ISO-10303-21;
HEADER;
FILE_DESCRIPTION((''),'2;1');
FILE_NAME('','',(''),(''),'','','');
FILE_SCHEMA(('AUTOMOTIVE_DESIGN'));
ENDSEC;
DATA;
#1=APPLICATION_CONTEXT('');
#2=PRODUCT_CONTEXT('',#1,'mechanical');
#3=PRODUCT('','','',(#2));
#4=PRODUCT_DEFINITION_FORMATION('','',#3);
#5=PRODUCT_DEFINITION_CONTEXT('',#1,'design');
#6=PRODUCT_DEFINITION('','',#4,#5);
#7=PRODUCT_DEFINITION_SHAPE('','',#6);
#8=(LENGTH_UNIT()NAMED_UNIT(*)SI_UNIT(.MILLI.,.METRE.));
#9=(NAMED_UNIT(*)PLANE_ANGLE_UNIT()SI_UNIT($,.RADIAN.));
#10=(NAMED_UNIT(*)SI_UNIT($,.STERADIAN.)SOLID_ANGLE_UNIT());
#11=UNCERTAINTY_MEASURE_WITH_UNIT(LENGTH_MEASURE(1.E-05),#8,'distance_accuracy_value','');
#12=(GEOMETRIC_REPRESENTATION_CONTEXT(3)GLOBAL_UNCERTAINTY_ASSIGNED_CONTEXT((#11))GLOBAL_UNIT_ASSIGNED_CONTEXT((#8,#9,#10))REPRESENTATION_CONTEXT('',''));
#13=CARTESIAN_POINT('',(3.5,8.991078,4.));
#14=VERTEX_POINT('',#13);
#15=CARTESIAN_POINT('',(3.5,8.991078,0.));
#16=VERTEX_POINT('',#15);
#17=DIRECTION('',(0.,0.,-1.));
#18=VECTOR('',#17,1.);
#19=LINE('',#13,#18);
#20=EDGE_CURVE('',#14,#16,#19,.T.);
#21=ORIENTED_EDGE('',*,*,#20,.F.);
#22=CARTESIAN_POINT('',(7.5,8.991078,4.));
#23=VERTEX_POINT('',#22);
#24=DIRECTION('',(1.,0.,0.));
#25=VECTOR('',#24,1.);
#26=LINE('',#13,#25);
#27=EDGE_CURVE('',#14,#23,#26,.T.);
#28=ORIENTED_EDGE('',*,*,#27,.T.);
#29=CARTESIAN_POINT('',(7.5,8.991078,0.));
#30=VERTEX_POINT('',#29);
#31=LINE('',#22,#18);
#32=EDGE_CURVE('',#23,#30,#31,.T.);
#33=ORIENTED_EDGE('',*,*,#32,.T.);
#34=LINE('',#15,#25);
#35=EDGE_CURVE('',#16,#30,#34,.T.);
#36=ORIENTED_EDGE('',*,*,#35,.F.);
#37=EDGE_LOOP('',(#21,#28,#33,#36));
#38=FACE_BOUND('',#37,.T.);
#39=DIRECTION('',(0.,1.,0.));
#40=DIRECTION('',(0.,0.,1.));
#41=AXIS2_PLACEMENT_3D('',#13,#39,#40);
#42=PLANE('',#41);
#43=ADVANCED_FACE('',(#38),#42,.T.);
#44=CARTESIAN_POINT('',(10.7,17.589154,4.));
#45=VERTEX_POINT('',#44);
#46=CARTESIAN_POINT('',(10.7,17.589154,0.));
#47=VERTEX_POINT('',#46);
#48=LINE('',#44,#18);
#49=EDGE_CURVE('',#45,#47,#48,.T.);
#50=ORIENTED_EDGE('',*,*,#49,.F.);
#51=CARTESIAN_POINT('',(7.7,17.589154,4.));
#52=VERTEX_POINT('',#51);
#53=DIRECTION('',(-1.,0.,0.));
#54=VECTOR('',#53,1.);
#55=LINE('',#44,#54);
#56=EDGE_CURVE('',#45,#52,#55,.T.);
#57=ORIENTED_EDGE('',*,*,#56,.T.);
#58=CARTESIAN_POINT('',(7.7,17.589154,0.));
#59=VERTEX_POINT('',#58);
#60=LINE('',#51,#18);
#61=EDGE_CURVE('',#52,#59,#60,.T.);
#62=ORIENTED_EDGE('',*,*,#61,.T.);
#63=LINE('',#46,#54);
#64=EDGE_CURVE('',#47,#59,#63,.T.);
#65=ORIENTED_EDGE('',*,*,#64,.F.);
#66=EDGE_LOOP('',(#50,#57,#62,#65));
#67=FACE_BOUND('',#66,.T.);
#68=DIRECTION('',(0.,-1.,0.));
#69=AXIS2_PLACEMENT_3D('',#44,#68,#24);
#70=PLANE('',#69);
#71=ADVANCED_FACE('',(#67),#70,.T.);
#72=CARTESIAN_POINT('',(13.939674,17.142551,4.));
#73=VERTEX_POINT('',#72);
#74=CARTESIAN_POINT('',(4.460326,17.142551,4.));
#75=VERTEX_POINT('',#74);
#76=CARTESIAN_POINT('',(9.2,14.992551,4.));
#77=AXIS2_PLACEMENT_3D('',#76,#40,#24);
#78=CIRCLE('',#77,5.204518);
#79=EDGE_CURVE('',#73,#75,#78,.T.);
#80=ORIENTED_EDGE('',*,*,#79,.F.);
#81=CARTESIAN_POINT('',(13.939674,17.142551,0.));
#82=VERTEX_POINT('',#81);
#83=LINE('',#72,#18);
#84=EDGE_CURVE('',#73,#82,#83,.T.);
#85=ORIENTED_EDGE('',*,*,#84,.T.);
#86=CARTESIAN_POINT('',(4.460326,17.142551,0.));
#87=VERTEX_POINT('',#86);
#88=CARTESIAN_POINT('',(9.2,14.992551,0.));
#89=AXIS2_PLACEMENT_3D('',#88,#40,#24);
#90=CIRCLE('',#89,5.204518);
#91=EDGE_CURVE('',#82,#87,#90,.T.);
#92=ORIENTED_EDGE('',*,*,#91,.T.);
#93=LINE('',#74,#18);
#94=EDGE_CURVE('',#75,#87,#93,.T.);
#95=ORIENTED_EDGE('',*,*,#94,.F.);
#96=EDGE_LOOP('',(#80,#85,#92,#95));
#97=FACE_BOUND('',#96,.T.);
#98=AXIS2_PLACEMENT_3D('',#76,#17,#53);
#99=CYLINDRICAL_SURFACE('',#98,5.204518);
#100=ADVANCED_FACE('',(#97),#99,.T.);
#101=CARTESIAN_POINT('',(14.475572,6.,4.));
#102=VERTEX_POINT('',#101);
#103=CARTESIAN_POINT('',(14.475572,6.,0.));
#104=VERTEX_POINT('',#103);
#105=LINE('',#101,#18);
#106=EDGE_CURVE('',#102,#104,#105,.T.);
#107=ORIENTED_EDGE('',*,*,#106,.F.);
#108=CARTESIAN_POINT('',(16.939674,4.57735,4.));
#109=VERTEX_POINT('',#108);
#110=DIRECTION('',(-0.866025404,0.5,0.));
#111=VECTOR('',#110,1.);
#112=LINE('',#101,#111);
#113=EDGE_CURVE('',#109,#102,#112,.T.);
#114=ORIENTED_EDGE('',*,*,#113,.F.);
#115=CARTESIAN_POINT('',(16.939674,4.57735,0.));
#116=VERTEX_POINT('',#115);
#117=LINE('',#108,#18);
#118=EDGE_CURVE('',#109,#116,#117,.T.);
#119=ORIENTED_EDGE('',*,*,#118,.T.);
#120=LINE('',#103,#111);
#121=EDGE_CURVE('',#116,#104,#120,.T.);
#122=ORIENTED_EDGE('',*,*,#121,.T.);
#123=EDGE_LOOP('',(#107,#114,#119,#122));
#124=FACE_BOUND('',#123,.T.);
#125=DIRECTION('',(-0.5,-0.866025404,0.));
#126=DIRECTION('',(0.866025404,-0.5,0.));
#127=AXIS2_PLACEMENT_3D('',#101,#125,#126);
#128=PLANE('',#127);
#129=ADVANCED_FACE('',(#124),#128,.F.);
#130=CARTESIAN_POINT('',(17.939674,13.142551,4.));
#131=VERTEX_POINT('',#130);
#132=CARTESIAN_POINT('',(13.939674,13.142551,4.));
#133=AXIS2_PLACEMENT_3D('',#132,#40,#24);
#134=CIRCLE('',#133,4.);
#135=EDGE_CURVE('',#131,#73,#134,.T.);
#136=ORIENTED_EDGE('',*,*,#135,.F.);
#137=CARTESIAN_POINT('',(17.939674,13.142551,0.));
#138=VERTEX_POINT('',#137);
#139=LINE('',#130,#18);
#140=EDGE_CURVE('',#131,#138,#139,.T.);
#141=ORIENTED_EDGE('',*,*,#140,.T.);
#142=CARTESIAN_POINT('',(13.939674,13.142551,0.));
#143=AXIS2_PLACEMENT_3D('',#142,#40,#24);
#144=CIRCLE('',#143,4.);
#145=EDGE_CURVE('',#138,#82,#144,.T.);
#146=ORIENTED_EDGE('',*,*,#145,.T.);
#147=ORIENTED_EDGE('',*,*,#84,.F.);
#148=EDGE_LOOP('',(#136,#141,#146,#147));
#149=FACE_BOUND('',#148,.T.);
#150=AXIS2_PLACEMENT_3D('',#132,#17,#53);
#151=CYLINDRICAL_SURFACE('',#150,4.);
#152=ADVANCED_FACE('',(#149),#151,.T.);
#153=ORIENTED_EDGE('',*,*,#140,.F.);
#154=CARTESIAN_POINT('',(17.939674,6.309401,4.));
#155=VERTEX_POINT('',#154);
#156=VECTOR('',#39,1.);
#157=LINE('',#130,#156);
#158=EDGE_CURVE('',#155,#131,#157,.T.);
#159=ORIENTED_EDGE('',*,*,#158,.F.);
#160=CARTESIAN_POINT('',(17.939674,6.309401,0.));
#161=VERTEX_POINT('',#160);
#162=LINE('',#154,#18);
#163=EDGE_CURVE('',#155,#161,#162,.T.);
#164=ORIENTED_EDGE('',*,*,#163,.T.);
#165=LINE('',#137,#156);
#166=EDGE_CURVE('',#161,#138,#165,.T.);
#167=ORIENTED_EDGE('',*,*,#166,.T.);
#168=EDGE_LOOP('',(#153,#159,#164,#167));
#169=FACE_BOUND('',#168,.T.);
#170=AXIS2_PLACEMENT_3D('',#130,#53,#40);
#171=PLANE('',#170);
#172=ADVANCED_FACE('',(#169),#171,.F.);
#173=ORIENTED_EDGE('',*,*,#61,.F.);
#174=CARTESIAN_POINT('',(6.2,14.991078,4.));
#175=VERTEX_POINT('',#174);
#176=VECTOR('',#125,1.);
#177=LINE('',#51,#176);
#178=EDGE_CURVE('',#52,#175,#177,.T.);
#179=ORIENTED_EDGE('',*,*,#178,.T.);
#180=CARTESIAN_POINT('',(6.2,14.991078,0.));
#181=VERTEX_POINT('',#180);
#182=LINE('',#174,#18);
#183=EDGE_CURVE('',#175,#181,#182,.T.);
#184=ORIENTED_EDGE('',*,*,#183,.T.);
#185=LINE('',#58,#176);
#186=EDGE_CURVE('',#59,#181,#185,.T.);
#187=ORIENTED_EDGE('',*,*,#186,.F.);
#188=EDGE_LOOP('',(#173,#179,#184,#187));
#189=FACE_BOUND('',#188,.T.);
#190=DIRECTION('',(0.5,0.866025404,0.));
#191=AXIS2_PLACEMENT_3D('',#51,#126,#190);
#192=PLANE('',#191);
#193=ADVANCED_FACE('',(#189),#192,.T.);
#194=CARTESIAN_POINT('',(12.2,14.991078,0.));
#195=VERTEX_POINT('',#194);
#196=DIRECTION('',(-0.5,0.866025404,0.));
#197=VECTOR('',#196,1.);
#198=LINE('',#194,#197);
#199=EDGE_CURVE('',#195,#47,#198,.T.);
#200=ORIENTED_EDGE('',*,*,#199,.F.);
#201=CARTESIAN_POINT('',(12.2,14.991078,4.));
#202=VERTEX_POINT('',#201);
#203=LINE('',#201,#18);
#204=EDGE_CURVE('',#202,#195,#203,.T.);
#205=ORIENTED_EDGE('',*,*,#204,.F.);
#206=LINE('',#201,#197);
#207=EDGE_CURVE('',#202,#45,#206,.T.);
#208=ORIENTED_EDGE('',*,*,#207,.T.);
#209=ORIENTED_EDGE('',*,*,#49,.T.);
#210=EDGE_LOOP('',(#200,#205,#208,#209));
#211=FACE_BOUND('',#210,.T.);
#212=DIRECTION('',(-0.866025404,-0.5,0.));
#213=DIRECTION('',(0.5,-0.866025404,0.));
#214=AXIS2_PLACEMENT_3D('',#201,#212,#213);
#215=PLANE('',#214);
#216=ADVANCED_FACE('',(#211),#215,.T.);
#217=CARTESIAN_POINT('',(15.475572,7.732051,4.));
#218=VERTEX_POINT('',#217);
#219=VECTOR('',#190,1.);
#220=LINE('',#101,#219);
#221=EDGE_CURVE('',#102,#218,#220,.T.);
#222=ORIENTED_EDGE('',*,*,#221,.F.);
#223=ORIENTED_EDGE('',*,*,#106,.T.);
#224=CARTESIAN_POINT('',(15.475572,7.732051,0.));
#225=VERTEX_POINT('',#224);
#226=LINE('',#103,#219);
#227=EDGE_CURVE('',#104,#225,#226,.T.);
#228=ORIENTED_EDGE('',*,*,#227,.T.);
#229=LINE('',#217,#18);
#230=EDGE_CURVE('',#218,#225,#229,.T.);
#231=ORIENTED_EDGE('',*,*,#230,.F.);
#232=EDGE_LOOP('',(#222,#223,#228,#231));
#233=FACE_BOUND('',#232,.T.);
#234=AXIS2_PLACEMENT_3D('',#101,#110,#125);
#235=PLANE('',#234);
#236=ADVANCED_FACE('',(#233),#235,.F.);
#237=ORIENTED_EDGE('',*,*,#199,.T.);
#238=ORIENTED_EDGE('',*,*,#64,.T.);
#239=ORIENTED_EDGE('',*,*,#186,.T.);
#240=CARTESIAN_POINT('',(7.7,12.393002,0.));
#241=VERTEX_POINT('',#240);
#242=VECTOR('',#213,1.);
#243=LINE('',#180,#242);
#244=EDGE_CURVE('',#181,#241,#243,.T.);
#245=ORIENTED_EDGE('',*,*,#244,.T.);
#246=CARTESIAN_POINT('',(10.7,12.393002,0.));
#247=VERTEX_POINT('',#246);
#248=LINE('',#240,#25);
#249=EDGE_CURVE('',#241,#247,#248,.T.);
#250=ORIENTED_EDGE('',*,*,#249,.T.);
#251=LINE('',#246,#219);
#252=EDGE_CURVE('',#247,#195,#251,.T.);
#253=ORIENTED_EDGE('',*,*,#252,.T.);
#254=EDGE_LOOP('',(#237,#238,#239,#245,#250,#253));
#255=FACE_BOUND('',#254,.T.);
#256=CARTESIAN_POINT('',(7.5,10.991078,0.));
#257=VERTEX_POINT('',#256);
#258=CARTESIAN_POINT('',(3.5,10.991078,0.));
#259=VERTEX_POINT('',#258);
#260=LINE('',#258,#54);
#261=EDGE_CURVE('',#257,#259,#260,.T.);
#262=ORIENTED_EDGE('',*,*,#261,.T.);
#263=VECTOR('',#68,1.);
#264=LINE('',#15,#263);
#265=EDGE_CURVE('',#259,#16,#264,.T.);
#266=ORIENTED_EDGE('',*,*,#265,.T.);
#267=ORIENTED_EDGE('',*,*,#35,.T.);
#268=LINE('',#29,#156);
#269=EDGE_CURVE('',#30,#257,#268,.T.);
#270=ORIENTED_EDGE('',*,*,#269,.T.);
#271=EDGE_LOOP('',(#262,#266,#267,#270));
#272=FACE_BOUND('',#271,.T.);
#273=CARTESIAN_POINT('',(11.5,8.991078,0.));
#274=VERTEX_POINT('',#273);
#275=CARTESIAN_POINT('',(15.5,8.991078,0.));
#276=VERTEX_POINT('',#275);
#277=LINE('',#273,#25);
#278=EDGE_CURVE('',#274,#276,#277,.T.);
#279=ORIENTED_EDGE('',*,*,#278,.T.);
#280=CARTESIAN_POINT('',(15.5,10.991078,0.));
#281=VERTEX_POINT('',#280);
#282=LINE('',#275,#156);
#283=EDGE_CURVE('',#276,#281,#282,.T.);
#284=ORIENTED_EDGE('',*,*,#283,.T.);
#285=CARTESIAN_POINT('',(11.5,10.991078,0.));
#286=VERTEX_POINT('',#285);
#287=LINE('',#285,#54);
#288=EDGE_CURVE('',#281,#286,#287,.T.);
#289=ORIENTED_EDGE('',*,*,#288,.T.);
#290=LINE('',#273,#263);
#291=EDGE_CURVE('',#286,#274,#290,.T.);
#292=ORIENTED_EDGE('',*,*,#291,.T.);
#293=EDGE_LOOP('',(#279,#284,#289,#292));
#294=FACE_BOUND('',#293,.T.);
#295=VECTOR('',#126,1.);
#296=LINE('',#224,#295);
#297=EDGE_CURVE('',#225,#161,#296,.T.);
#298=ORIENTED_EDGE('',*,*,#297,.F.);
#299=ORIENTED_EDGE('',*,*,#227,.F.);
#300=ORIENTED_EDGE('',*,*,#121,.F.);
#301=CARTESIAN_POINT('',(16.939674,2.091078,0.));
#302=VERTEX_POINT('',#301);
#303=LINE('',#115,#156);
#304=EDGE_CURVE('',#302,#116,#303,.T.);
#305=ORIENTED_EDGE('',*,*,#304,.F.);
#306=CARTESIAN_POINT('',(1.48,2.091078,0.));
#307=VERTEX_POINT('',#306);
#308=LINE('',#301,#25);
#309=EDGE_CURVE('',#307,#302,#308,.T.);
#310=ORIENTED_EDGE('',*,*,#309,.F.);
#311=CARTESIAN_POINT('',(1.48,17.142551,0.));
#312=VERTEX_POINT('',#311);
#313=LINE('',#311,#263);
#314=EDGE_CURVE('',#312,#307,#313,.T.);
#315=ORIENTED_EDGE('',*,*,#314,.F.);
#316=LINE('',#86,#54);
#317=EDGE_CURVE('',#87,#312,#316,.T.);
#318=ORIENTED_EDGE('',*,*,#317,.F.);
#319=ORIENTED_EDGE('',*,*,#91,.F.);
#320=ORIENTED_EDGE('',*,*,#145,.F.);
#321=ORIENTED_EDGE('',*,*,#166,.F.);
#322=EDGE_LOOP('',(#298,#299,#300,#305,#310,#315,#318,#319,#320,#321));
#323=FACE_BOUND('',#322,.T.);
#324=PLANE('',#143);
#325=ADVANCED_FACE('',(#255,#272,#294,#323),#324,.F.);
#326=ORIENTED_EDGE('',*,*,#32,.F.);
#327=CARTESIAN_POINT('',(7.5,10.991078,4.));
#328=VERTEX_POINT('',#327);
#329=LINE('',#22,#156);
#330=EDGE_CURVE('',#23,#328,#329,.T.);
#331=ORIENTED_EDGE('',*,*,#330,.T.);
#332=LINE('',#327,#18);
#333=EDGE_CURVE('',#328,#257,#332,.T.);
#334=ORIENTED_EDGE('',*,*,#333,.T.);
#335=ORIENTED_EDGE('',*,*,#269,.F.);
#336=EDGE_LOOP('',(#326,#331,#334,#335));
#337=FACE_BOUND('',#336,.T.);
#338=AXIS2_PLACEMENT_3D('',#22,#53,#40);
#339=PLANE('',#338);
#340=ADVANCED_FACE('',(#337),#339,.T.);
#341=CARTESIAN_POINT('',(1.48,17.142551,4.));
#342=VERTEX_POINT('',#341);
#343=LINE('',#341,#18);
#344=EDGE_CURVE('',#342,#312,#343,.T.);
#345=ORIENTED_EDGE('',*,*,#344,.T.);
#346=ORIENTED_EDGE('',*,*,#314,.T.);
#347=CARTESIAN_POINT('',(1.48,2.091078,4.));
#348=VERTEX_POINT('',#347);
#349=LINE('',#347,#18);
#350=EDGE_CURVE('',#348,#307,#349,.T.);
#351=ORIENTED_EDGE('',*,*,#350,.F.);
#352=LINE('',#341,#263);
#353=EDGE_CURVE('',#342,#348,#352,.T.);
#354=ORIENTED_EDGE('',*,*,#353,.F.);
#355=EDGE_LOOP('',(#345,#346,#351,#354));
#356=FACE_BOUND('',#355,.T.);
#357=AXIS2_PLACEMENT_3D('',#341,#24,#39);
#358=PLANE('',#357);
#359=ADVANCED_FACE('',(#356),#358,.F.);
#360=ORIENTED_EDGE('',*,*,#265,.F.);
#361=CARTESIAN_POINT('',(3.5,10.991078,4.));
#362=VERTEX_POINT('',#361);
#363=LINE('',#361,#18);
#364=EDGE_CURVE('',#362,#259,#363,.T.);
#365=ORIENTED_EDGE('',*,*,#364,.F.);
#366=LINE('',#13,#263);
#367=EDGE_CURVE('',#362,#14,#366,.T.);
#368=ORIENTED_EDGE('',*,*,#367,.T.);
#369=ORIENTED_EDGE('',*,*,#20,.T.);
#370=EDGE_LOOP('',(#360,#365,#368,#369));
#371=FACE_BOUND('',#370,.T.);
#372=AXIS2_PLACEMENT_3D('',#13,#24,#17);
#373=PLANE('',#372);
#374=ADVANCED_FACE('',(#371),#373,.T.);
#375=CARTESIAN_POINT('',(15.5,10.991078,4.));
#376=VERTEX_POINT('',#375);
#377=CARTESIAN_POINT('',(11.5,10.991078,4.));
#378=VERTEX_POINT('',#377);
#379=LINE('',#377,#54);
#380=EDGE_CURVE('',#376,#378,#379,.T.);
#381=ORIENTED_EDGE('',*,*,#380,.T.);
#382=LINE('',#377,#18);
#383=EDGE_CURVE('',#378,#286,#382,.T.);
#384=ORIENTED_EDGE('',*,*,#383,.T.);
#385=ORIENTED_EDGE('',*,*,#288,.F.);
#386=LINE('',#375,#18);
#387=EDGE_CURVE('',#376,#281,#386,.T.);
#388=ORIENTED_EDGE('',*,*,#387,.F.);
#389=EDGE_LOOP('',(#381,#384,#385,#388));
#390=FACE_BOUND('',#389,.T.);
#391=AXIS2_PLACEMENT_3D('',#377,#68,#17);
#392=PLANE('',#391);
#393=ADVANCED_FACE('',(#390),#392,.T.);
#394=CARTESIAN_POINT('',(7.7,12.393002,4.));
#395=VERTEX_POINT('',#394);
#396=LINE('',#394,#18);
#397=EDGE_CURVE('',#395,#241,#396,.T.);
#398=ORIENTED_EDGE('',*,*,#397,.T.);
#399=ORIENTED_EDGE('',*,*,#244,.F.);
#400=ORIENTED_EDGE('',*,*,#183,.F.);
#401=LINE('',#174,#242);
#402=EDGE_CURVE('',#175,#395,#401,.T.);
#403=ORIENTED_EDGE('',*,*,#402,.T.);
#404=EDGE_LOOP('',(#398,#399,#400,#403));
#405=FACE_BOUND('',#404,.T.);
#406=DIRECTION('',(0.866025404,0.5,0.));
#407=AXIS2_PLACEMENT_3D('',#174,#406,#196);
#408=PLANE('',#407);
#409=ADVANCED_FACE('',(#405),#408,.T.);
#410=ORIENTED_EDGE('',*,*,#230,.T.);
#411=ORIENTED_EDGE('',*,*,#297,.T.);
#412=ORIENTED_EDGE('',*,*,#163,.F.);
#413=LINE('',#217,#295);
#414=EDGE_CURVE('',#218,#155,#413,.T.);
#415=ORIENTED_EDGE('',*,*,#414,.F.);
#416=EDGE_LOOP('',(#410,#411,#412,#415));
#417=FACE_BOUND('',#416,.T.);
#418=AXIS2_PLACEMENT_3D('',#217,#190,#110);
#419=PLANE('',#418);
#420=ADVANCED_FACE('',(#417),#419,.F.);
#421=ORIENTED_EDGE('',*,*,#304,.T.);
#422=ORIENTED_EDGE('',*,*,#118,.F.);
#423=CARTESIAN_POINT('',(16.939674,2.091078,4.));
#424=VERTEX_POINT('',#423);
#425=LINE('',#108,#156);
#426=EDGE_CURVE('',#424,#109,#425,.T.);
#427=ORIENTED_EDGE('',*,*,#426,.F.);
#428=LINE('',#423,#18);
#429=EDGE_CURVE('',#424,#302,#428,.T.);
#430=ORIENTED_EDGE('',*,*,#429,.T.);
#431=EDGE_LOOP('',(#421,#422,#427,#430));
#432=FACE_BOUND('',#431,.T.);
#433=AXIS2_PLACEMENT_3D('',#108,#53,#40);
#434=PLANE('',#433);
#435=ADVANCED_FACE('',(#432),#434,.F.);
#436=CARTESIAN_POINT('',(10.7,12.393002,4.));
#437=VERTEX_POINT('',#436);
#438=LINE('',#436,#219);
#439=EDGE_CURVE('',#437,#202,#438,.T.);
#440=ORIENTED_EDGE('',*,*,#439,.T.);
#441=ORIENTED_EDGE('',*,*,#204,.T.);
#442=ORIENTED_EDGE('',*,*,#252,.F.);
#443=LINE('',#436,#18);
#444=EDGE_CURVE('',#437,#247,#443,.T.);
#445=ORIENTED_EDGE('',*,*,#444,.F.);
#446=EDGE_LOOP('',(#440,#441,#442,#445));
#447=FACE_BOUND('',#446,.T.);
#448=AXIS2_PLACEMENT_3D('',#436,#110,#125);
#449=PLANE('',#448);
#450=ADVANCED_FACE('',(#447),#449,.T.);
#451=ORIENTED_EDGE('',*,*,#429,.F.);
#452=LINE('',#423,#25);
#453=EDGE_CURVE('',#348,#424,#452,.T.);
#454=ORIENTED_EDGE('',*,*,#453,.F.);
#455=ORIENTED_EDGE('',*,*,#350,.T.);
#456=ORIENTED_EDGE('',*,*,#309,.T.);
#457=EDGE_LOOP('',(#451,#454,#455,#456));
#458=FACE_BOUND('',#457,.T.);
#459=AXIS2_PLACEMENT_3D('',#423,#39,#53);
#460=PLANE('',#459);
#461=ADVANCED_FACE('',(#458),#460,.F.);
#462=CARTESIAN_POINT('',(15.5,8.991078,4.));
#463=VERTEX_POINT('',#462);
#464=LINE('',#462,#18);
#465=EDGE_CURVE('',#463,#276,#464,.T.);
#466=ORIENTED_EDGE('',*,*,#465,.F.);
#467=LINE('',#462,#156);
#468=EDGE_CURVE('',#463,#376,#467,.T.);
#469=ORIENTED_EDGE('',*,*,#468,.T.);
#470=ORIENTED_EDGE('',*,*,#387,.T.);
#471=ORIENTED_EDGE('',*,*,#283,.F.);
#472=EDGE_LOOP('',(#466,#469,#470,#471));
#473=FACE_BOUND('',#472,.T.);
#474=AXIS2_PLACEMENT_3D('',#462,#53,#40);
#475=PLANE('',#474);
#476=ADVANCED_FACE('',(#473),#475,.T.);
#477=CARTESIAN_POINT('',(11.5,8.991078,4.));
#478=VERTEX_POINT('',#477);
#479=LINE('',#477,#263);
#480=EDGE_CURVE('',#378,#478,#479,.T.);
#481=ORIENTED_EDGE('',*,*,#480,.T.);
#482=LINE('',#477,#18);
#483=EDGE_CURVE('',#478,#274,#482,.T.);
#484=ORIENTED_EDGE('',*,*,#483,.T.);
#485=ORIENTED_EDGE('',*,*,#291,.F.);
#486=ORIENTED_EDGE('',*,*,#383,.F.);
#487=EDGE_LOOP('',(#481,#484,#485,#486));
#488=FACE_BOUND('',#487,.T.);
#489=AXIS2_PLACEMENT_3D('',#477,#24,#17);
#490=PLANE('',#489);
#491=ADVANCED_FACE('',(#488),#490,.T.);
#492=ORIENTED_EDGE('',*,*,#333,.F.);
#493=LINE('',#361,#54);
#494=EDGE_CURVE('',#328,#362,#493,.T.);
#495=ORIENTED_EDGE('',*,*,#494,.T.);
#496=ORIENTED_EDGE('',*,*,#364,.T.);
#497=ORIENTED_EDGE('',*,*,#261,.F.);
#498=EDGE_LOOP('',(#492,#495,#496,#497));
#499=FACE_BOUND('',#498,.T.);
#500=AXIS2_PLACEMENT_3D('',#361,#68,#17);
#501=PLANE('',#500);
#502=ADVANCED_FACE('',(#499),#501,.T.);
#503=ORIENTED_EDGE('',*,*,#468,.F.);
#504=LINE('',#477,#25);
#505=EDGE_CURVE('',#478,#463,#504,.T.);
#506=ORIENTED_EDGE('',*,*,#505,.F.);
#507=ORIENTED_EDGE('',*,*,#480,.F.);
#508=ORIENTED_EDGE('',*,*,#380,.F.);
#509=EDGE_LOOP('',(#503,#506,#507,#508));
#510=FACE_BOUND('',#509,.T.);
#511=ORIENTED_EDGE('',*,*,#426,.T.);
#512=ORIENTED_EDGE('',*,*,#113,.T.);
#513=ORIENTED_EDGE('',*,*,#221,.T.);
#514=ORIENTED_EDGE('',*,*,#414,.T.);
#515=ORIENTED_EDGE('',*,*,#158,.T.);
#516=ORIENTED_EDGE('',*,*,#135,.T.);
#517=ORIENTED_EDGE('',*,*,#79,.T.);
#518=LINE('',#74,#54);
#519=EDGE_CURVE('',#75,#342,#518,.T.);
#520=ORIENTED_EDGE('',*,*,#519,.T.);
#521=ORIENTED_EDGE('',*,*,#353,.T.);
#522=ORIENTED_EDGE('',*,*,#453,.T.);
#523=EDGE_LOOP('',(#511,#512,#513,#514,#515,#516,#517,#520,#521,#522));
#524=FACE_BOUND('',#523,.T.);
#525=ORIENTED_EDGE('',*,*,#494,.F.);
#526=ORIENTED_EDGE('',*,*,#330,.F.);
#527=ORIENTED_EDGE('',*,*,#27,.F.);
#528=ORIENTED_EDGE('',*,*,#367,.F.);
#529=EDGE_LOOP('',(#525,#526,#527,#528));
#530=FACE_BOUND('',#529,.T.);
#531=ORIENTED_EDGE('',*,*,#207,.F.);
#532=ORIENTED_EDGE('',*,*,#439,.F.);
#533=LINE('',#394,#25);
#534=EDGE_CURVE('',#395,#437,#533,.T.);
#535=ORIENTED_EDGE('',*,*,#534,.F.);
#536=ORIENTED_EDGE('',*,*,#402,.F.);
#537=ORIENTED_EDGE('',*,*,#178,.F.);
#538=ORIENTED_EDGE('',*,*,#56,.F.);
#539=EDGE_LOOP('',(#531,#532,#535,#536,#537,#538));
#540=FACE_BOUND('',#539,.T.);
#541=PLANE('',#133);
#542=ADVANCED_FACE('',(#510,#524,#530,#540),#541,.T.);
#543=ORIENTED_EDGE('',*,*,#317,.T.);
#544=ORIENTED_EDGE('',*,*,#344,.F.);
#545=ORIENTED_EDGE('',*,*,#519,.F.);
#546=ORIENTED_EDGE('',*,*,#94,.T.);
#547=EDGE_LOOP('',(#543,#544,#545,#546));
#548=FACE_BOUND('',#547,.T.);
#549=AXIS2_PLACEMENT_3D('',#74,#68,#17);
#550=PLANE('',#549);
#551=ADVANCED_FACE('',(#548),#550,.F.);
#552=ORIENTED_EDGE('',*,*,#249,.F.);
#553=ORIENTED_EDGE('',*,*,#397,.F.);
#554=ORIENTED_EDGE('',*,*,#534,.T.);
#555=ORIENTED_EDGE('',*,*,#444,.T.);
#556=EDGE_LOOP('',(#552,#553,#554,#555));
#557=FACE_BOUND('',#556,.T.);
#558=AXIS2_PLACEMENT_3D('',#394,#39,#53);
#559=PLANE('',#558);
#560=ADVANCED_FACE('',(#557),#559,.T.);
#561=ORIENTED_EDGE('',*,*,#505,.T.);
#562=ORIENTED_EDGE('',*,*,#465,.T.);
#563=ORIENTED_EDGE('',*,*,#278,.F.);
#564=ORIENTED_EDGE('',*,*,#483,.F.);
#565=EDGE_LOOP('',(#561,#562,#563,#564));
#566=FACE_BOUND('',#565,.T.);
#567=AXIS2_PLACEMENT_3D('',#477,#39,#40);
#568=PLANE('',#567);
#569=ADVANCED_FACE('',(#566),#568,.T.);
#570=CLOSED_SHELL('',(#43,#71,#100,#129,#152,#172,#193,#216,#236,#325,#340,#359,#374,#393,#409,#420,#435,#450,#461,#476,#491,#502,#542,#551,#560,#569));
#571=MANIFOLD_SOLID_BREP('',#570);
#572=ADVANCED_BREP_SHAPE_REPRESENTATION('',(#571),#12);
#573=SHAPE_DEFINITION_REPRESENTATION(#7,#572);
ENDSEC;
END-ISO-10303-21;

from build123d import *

# Parameters (mm, degrees)
SKETCH1_W           = 4
SKETCH1_H           = 2
BOSS_EXTRUDE1_DEPTH = 4


with BuildPart() as part:
    # Sketch1 → Boss-Extrude1 (new body)
    with BuildSketch(Plane.XY):
        with BuildLine():
            Line((14.475572066, 6), (15.475572066, 7.732050808))
            Line((15.475572066, 7.732050808), (17.939673681, 6.309401077))
            Line((17.939673681, 6.309401077), (17.939673681, 13.142551265))
            ThreePointArc((17.939673681, 13.142551265), (16.768100806, 15.97097839), (13.939673681, 17.142551265))
            ThreePointArc((13.939673681, 17.142551265), (9.2, 20.197069168), (4.460326319, 17.142551265))
            Line((4.460326319, 17.142551265), (1.48, 17.142551265))
            Line((1.48, 17.142551265), (1.48, 2.09107808))
            Line((1.48, 2.09107808), (16.939673681, 2.09107808))
            Line((16.939673681, 2.09107808), (16.939673681, 4.577350269))
            Line((16.939673681, 4.577350269), (14.475572066, 6))
        make_face()
        with Locations((5.5, 9.99107808)):
            Rectangle(SKETCH1_W, SKETCH1_H, mode=Mode.SUBTRACT)
        with Locations((13.5, 9.99107808)):
            Rectangle(SKETCH1_W, SKETCH1_H, mode=Mode.SUBTRACT)
        Polygon((6.2, 14.99107808), (7.7, 12.393001869), (10.7, 12.393001869), (12.2, 14.99107808), (10.7, 17.589154291), (7.7, 17.589154291), align=None, mode=Mode.SUBTRACT)
    extrude(amount=BOSS_EXTRUDE1_DEPTH)


solid = part.part
